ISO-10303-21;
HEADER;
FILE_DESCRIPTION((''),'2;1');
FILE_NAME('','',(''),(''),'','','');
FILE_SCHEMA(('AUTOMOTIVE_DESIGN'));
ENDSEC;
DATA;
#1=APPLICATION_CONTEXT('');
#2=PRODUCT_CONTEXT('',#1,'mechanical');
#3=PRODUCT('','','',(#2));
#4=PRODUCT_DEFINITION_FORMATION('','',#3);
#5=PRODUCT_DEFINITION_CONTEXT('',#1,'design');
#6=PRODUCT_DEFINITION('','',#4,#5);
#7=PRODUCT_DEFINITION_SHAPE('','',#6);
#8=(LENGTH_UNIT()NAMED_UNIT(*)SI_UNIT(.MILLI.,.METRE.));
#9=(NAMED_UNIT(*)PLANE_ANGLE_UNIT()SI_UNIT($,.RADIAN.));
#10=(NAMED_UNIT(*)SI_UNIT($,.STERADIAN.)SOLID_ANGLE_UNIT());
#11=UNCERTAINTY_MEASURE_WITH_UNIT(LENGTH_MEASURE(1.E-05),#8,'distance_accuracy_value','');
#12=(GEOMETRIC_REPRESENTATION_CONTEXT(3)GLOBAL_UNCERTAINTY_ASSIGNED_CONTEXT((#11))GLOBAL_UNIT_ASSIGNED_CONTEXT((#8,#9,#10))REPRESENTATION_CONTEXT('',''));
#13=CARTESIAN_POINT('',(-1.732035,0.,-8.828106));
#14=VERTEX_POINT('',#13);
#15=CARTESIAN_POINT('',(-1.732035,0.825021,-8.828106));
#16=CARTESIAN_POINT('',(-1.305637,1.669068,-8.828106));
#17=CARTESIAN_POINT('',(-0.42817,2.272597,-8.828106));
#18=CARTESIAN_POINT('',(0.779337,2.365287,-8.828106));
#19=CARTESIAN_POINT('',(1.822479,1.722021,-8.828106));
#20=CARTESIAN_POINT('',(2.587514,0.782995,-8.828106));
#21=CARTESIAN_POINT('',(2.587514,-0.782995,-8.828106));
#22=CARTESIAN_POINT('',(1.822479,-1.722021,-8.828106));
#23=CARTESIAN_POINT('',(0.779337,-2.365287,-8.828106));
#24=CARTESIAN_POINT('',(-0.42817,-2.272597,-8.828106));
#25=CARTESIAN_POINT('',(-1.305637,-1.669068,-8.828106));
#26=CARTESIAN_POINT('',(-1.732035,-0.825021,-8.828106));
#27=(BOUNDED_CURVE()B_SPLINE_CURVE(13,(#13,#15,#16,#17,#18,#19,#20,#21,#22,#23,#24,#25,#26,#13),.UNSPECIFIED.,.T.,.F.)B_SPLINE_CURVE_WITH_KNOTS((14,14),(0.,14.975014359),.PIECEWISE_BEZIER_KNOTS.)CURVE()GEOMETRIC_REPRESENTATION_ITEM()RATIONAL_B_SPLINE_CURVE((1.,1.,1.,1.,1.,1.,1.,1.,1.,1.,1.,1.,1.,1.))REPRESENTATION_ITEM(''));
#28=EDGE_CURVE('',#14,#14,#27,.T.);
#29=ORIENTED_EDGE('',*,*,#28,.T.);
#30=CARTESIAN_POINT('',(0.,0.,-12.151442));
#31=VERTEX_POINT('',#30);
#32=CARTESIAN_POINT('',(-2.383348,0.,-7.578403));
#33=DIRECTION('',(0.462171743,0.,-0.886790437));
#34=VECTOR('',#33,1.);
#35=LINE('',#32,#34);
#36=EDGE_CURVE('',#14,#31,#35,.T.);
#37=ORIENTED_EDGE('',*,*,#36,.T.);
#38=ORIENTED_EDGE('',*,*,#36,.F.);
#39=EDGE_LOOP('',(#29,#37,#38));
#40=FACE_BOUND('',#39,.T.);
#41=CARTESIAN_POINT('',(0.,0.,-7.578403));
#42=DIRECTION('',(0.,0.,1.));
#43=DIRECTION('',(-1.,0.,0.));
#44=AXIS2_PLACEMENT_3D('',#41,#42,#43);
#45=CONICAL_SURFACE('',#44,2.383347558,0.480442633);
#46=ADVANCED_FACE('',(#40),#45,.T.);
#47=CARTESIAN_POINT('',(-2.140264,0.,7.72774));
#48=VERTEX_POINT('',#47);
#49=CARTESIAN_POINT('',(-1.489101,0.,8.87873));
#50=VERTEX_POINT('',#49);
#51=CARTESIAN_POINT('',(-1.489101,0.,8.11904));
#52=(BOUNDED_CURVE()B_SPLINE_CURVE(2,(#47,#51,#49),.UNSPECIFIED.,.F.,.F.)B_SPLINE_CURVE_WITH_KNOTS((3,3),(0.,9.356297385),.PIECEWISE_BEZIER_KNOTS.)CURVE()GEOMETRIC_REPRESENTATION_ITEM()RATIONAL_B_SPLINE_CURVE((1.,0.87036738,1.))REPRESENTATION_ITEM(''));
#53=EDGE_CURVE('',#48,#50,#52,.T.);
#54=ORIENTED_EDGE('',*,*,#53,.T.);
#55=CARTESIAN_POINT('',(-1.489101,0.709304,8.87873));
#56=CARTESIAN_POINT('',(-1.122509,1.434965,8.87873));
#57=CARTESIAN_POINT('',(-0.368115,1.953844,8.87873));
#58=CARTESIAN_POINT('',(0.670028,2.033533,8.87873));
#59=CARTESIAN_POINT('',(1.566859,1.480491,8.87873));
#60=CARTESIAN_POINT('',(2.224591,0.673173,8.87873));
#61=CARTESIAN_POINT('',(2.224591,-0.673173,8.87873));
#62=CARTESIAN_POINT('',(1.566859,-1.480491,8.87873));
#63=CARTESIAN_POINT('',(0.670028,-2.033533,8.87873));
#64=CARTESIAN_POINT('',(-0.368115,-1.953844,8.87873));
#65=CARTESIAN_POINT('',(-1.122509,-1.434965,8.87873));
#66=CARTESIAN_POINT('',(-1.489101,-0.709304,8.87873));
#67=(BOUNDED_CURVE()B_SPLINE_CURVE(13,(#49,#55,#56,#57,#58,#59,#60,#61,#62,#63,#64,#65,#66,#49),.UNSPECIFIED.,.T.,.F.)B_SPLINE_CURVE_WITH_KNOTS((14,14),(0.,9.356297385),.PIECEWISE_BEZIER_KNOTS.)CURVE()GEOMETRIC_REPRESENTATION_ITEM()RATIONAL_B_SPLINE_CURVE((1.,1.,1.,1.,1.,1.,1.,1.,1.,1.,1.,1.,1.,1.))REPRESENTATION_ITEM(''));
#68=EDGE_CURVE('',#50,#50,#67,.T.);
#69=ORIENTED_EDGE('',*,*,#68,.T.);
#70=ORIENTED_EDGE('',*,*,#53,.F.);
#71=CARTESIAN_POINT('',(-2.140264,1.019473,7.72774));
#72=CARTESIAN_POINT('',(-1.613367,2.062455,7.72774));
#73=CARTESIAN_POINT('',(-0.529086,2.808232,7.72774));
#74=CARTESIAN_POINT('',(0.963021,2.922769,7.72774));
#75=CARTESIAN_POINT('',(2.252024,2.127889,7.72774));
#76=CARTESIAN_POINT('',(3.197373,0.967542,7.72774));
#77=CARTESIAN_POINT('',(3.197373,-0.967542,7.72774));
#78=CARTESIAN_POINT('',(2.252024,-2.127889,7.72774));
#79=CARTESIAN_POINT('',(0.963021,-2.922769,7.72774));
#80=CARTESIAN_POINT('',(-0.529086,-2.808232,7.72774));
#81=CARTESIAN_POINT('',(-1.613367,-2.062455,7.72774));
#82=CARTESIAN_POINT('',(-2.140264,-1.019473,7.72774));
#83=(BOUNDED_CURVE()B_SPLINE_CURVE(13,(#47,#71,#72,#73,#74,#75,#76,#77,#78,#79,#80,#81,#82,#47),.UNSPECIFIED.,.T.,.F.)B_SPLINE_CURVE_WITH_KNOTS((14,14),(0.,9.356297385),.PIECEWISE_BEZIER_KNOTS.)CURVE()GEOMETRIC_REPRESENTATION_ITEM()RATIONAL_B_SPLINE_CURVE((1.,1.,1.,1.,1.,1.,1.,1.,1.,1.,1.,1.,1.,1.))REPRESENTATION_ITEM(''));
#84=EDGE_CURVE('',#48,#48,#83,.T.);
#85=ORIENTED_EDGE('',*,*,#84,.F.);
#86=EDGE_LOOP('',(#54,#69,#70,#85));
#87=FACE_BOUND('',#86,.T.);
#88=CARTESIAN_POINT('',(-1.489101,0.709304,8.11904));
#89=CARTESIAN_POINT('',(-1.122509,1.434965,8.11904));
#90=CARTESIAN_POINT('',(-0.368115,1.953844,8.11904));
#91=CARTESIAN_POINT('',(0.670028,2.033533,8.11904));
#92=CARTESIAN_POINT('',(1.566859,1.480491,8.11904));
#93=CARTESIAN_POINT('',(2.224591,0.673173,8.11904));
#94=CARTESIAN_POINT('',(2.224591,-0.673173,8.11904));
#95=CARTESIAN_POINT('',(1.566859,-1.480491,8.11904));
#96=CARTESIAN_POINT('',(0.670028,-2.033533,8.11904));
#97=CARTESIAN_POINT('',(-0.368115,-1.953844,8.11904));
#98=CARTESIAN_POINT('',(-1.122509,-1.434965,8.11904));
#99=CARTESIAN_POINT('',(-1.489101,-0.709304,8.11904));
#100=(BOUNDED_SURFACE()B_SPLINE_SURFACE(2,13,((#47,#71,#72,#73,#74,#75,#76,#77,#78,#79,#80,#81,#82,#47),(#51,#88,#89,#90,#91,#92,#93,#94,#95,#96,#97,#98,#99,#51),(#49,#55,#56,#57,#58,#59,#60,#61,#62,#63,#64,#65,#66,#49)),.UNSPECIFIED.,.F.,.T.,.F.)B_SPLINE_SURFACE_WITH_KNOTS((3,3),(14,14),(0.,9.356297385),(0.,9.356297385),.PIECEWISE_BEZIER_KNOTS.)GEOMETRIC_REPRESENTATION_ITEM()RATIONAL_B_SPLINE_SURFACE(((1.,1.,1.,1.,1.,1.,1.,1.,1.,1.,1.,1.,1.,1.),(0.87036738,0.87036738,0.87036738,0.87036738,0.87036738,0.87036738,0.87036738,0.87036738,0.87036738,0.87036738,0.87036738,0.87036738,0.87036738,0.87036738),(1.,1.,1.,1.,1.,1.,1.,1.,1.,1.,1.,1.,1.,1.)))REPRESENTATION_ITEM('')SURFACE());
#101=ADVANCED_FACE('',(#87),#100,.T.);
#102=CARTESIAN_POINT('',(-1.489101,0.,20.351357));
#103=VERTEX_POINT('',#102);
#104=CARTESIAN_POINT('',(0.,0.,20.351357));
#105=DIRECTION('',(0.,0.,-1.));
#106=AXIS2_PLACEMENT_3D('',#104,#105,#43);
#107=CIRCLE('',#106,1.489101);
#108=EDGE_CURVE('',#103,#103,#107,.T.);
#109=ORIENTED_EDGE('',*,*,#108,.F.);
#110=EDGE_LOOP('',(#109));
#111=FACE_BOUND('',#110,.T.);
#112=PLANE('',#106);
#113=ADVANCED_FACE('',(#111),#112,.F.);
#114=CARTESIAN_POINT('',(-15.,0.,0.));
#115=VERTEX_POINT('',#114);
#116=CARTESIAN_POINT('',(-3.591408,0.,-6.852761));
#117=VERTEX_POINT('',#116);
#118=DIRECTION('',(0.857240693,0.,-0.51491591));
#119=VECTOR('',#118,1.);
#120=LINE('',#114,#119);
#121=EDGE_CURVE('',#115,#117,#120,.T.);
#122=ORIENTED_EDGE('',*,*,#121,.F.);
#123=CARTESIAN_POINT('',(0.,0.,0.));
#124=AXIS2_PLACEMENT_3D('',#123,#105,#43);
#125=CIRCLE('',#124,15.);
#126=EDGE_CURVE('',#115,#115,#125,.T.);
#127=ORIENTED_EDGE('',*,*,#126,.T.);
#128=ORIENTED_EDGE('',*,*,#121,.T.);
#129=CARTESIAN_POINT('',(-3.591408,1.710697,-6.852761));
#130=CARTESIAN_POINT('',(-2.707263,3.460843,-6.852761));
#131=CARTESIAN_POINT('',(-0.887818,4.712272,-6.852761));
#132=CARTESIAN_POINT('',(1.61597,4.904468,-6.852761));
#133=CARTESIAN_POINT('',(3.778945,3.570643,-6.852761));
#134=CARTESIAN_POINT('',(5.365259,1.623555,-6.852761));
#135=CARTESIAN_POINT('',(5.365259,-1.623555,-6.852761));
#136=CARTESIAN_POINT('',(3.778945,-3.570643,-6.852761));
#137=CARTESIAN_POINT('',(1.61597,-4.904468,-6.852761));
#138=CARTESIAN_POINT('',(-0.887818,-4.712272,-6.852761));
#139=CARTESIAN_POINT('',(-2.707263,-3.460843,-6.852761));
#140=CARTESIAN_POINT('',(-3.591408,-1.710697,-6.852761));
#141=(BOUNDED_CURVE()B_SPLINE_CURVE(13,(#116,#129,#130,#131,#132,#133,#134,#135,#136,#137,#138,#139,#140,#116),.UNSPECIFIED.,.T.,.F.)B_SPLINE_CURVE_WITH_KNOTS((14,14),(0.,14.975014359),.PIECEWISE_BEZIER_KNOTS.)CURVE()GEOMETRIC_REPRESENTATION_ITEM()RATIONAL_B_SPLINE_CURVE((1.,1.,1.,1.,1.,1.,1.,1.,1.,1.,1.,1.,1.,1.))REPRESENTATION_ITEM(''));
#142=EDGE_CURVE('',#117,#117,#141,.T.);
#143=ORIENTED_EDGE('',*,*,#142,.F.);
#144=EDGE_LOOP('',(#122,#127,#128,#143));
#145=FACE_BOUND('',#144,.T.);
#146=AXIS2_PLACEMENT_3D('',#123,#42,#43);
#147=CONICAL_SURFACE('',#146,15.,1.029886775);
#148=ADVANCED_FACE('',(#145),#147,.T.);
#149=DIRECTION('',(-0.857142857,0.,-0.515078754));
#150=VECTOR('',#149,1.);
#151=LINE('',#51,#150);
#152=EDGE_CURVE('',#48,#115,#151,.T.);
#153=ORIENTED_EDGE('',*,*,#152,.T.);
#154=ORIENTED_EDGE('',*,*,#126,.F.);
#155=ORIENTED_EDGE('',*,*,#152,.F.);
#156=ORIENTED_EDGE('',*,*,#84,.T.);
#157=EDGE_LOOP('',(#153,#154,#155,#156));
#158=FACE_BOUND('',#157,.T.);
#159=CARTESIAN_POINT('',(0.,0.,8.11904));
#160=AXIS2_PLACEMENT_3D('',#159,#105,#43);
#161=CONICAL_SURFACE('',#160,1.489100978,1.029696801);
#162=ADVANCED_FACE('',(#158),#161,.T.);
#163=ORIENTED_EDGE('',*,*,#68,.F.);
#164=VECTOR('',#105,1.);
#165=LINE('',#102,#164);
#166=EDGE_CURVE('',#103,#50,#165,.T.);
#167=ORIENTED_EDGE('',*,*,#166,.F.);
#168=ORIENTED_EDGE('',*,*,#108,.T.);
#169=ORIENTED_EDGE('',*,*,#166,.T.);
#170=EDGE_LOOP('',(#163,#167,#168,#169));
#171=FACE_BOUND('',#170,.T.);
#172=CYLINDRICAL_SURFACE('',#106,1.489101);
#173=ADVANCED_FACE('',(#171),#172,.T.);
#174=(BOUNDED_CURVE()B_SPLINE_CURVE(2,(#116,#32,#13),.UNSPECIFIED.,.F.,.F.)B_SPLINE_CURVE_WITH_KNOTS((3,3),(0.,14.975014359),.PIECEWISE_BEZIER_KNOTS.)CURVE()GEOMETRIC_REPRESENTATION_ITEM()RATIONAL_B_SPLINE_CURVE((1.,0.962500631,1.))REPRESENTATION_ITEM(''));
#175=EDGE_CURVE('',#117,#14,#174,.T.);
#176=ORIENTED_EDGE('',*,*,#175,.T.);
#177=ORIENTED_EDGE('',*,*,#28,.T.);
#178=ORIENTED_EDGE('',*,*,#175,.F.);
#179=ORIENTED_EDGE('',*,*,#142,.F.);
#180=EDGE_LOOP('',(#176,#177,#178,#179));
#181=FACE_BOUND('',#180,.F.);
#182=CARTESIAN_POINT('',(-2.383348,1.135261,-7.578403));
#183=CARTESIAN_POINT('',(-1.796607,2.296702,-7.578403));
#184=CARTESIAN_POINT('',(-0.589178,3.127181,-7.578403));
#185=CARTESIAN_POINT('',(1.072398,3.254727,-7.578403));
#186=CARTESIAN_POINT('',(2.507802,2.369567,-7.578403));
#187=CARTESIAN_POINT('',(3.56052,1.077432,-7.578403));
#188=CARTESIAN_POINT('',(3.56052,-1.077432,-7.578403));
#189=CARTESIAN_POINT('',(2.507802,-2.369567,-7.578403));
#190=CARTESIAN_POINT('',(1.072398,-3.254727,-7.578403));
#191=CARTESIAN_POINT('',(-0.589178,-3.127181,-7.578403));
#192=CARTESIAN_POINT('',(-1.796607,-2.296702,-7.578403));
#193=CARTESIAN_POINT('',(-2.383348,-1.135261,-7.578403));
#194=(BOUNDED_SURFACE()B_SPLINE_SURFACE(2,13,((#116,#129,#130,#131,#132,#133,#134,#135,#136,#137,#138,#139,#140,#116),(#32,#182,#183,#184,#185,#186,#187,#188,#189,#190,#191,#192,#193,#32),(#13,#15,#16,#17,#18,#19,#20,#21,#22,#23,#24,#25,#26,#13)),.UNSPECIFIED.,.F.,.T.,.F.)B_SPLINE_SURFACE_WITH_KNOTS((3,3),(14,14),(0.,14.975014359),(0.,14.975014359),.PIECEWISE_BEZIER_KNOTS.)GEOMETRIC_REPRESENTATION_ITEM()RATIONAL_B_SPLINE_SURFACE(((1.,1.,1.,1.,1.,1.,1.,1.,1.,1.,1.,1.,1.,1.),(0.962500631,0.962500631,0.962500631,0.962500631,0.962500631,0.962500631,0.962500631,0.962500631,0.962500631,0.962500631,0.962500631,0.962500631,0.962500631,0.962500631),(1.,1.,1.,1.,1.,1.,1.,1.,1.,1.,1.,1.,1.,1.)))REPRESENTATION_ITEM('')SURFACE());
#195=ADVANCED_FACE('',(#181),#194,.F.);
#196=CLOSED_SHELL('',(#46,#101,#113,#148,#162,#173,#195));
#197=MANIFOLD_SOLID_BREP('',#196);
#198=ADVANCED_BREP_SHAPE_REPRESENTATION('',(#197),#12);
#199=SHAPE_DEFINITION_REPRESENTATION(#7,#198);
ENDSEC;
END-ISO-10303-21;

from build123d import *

# Parameters (mm, degrees)
F2_R = 5
F3_R = 1.3428215566


with BuildPart() as f1:
    # F0 (on Front) → F1 (revolve)
    with BuildSketch(Plane.XZ):
        Polygon((-1.4891009778, 20.3513566048), (-1.4891009778, 8.119039867), (0, 9.0138781887), (0, 20.3513566048), align=None)
        Polygon((-1.4891009778, 8.119039867), (-15, 0), (0, 0), (0, 9.0138781887), align=None)
        Polygon((0, 0), (-15, 0), (-2.3833475581, -7.5784025668), (0, -9.01), align=None)
        Polygon((0, -9.01), (-2.3833475581, -7.5784025668), (0, -12.1514424682), align=None)
    revolve(axis=Axis((0, 0, -4.505), (0, 0, -1)))

    # F2
    f2_edges = [f1.edges().sort_by_distance(p)[0] for p in [
        (2.383348, 0, -7.578403),
    ]]
    fillet(f2_edges, radius=F2_R)

    # F3
    f3_edges = [f1.edges().sort_by_distance(p)[0] for p in [
        (1.489101, 0, 8.11904),
    ]]
    fillet(f3_edges, radius=F3_R)


solid = f1.part
